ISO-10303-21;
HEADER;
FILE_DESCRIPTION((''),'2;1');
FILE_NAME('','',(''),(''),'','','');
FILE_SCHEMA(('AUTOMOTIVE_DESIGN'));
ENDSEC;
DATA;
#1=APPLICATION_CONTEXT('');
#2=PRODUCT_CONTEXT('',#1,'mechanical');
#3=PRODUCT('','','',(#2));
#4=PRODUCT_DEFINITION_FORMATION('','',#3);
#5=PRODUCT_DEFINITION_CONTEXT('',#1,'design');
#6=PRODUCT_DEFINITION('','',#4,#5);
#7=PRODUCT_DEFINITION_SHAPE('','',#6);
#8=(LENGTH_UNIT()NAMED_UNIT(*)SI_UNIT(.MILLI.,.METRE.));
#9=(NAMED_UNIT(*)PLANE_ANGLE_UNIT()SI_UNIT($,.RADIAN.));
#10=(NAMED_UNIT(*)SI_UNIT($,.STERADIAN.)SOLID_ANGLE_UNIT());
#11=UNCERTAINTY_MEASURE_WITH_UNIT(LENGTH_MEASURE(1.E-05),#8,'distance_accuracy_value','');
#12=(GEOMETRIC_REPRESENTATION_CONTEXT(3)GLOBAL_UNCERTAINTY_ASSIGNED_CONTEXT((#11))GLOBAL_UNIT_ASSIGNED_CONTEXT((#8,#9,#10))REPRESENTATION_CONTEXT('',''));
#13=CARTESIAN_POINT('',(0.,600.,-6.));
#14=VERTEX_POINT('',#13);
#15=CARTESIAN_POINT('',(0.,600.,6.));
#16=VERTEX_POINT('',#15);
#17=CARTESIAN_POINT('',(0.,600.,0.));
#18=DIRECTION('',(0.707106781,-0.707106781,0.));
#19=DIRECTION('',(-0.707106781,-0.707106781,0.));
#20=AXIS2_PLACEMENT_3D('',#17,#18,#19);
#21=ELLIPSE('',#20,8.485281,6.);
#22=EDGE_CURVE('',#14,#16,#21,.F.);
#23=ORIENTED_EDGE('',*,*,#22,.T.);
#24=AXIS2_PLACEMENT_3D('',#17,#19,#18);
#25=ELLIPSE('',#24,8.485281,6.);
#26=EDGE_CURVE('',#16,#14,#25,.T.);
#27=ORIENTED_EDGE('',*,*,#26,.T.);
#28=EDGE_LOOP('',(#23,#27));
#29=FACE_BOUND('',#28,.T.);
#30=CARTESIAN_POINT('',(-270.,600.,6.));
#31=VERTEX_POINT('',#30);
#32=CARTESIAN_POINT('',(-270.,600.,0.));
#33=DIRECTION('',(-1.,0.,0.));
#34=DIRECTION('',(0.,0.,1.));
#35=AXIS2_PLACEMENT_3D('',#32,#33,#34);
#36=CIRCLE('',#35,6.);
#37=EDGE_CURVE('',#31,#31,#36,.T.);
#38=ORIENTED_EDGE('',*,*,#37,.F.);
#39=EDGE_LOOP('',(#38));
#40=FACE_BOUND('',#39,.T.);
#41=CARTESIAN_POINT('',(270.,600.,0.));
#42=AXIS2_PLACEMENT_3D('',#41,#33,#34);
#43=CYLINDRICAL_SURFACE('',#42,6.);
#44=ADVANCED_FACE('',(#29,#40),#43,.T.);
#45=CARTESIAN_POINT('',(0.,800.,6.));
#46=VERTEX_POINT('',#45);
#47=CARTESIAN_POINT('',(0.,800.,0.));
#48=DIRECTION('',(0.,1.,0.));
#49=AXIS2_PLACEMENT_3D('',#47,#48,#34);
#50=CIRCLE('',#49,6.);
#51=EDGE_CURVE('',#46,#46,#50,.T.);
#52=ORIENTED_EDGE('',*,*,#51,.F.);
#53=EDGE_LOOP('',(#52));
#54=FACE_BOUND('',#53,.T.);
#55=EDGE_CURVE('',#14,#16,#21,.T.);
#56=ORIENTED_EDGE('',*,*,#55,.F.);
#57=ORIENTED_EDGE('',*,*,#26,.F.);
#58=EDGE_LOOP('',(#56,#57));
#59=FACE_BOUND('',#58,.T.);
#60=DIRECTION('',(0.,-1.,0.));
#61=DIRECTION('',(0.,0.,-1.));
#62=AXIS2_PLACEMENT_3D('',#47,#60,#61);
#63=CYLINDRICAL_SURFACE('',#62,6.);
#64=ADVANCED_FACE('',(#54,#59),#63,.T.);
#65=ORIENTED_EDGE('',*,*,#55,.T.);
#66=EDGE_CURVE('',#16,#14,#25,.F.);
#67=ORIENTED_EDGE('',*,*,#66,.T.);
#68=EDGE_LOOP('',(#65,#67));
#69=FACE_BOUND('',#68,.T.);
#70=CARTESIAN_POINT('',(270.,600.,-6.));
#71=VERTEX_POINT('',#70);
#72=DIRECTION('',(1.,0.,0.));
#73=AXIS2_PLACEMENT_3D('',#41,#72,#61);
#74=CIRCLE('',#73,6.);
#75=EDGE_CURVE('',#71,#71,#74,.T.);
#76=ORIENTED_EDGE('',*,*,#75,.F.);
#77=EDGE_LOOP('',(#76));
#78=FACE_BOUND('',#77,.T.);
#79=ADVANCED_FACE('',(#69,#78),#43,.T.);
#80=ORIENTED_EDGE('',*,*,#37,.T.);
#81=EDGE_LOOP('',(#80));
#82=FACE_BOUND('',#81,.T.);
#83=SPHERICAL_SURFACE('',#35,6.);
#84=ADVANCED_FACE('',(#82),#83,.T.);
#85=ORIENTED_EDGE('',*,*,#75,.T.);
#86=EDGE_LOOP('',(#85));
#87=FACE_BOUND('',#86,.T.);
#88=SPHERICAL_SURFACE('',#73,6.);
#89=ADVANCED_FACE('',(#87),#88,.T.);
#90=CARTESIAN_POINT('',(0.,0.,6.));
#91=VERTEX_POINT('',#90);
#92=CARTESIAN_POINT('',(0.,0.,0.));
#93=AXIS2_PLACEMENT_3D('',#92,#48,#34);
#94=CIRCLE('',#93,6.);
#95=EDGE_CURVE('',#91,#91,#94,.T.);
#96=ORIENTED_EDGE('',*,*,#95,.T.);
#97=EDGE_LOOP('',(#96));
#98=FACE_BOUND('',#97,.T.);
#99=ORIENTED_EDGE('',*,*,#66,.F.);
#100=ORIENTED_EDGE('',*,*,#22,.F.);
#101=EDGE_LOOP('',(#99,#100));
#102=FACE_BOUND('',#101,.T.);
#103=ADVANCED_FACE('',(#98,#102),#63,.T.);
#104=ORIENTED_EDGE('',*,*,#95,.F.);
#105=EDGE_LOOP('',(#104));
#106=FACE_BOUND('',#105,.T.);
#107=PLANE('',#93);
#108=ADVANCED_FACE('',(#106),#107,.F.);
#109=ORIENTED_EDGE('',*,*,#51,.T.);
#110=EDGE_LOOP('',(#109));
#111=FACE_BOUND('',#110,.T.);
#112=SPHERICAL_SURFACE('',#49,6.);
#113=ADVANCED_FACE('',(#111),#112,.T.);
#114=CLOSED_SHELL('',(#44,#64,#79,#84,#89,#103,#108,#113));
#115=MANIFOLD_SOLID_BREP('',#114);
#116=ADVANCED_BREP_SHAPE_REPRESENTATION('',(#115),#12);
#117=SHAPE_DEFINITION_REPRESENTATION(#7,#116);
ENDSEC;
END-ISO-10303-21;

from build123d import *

# Parameters (mm, degrees)
SKETCH_1_R      = 6
EXTRUDE_1_DEPTH = 800
SKETCH_2_R      = 6
EXTRUDE_2_DEPTH = 270
REVOLVE_1_ANGLE = 180
REVOLVE_2_ANGLE = 180


with BuildPart() as part:
    # 草图1 → 凸台-拉伸1 (new body)
    with BuildSketch(Plane(origin=(0, 0, 0), x_dir=(1, 0, 0), z_dir=(0, 1, 0))):
        Circle(SKETCH_1_R)
    extrude(amount=EXTRUDE_1_DEPTH)

    # 草图2 → 凸台-拉伸2 (add, symmetric)
    with BuildSketch(Plane(origin=(0, 0, 0), x_dir=(0, 0, -1), z_dir=(1, 0, 0))):
        with Locations((0, 600)):
            Circle(SKETCH_2_R)
    extrude(amount=EXTRUDE_2_DEPTH, both=True)

    # 草图3 → 旋转1 (revolve)
    with BuildSketch(Plane(origin=(270, 0, 0), x_dir=(0, 0, -1), z_dir=(1, 0, 0))):
        with BuildLine():
            Line((0, 606), (0, 594))
            ThreePointArc((0, 594), (6, 600), (0, 606))
        make_face()
    revolve_1 = revolve(axis=Axis((270, 606, 0), (0, -1, 0)), revolution_arc=REVOLVE_1_ANGLE)

    # 草图4 → 旋转2 (revolve)
    with BuildSketch(Plane(origin=(0, 800, 0), x_dir=(1, 0, 0), z_dir=(0, 1, 0))):
        with BuildLine():
            Line((0, 6), (0, -6))
            ThreePointArc((0, -6), (6, 0), (0, 6))
        make_face()
    revolve(axis=Axis((0, 800, -6), (0, 0, 1)), revolution_arc=REVOLVE_2_ANGLE)

    # 镜向1: 旋转1 across plane
    add(revolve_1.mirror(Plane(origin=(0, 0, 0), x_dir=(0, 0, 1), z_dir=(1, 0, 0))))


solid = part.part
